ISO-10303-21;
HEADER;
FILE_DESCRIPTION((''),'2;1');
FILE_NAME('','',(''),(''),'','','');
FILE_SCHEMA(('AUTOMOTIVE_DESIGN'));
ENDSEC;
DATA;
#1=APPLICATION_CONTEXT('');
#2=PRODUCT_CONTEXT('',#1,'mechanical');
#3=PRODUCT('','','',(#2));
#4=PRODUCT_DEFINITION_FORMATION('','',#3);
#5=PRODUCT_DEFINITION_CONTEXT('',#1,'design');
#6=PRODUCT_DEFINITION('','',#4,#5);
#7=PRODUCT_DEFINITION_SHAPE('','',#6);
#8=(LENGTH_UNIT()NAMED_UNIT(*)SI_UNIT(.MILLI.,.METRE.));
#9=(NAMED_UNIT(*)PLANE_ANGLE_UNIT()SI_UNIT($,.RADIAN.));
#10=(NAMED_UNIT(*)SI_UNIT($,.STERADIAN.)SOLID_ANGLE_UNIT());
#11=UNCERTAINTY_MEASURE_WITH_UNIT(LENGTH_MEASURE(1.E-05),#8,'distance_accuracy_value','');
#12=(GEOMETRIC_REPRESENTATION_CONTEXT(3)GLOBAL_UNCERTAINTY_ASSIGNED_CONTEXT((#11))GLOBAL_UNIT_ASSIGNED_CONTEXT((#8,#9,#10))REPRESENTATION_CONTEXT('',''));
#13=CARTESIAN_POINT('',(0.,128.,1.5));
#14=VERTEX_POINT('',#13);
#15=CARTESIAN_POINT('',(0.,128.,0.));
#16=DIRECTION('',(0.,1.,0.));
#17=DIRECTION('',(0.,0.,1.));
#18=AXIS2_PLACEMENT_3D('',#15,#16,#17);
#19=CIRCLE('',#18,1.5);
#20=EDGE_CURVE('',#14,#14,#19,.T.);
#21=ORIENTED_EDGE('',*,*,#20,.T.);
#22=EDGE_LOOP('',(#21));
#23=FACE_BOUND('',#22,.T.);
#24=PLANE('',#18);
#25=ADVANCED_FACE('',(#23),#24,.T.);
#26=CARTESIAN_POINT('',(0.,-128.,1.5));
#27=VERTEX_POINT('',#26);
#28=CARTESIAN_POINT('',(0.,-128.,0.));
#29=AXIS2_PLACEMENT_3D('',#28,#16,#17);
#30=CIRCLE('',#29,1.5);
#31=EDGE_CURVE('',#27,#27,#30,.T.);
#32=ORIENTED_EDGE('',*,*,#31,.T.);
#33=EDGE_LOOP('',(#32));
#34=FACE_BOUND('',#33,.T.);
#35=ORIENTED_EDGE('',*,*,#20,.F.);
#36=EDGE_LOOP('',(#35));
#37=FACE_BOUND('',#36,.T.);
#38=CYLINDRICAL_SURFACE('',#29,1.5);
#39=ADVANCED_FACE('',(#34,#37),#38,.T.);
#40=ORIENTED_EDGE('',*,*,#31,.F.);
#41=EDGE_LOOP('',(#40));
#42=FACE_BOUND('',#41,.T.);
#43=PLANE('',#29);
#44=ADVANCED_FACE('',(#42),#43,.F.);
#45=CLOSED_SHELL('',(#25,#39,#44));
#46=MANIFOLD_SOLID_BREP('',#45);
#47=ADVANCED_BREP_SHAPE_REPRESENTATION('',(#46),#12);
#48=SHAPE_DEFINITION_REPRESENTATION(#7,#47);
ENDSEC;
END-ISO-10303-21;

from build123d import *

# Parameters (mm, degrees)
BOSS_EXTRUDE1_DEPTH      = 128
BOSS_EXTRUDE1_DEPTH_BACK = 128
SKETCH1_R                = 1.5


with BuildPart() as part:
    # Sketch1 → Boss-Extrude1 (new, two sides: drawn at the far end of the back side and taken through both)
    with BuildSketch(Plane(origin=(0, 0, 0), x_dir=(1, 0, 0), z_dir=(0, 1, 0)).offset(-BOSS_EXTRUDE1_DEPTH_BACK)):
        Circle(SKETCH1_R)
    extrude(amount=BOSS_EXTRUDE1_DEPTH + BOSS_EXTRUDE1_DEPTH_BACK)


solid = part.part
